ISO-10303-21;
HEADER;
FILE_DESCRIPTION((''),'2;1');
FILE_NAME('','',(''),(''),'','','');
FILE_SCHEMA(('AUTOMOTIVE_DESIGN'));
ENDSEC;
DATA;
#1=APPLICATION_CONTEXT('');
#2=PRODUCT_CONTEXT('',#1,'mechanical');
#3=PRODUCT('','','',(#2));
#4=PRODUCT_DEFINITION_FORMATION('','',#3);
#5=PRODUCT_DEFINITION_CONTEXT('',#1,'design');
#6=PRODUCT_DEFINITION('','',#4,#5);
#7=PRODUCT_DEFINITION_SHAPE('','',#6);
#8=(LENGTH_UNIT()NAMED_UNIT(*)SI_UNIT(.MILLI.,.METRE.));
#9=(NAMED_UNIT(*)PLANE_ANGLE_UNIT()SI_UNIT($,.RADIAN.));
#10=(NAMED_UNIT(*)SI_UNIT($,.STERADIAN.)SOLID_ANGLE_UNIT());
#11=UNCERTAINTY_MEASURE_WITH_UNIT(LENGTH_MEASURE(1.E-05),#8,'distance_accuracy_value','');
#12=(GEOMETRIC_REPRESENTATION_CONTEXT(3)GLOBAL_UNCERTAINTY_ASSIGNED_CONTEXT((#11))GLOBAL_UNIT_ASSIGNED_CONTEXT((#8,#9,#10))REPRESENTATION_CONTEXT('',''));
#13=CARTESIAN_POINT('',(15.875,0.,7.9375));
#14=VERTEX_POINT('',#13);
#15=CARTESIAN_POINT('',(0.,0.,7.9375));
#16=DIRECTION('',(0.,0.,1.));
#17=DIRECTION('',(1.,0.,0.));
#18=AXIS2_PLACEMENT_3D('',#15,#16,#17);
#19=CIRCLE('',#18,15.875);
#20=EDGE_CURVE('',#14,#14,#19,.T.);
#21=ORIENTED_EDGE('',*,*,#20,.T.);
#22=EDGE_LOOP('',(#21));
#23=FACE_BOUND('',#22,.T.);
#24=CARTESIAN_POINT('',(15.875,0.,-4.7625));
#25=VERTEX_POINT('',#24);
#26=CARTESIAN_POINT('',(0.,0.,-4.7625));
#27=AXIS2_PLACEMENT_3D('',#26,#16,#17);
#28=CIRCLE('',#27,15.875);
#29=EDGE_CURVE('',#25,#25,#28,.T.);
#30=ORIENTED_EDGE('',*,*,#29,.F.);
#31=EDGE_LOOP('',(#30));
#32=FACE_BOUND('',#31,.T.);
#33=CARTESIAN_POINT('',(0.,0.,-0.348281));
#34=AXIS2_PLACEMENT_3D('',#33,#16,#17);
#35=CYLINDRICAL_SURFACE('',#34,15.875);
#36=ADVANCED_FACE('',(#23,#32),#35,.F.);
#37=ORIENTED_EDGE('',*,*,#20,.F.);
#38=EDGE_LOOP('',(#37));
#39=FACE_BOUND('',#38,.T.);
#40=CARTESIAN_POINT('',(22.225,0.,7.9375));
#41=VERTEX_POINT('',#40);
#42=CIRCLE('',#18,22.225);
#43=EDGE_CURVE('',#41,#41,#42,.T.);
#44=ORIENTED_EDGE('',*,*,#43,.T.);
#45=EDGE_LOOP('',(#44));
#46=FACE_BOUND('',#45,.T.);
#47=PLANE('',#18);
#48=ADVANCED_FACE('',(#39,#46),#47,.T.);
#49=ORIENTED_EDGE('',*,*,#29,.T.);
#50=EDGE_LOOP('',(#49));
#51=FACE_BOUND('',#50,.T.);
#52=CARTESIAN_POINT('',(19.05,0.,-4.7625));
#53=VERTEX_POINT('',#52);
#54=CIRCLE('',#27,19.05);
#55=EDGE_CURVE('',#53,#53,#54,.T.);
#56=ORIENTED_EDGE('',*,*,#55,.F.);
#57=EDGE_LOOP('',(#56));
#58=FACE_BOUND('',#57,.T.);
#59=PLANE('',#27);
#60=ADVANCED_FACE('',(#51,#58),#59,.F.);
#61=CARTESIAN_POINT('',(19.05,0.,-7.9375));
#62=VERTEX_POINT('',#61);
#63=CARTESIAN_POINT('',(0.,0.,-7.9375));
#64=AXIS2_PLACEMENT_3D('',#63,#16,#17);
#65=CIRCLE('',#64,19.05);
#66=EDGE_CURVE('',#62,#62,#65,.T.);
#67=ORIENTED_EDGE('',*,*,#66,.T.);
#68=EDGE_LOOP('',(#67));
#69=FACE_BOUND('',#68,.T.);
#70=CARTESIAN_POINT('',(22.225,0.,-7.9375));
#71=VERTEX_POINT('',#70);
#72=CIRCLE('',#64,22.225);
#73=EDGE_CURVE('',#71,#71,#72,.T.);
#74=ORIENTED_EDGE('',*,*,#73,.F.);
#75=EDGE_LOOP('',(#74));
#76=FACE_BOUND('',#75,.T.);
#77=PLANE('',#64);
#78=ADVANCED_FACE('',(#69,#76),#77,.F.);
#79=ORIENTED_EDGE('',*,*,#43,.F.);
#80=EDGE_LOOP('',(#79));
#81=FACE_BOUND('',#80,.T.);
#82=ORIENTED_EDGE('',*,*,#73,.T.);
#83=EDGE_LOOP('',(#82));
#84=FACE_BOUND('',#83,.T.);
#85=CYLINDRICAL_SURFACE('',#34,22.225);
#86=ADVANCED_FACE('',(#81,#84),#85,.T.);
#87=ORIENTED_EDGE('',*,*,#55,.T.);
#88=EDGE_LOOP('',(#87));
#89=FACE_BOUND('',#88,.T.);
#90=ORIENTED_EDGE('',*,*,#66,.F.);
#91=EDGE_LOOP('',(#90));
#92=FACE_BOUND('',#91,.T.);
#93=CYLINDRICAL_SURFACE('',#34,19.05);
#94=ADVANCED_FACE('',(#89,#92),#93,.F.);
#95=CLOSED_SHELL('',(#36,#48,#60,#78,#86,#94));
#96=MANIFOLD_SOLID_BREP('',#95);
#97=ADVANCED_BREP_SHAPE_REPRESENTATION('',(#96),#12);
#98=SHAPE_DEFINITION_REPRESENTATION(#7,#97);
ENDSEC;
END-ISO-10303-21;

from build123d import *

# Parameters (mm, degrees)
SKETCH1_W = 3.175
SKETCH1_H = 12.7


with BuildPart() as part:
    # Sketch1 → Revolve1 (revolve)
    with BuildSketch(Plane(origin=(0, 0, 0), x_dir=(1, 0, 0), z_dir=(0, 1, 0))):
        with Locations((17.4625, -1.5875)):
            Rectangle(SKETCH1_W, SKETCH1_H)
        Polygon((19.05, 4.7625), (19.05, -7.9375), (22.225, -7.9375), (22.225, 7.9375), (19.05, 7.9375), align=None)
    revolve(axis=Axis((0, 0, -0.348280893), (0, 0, -1)))


solid = part.part
